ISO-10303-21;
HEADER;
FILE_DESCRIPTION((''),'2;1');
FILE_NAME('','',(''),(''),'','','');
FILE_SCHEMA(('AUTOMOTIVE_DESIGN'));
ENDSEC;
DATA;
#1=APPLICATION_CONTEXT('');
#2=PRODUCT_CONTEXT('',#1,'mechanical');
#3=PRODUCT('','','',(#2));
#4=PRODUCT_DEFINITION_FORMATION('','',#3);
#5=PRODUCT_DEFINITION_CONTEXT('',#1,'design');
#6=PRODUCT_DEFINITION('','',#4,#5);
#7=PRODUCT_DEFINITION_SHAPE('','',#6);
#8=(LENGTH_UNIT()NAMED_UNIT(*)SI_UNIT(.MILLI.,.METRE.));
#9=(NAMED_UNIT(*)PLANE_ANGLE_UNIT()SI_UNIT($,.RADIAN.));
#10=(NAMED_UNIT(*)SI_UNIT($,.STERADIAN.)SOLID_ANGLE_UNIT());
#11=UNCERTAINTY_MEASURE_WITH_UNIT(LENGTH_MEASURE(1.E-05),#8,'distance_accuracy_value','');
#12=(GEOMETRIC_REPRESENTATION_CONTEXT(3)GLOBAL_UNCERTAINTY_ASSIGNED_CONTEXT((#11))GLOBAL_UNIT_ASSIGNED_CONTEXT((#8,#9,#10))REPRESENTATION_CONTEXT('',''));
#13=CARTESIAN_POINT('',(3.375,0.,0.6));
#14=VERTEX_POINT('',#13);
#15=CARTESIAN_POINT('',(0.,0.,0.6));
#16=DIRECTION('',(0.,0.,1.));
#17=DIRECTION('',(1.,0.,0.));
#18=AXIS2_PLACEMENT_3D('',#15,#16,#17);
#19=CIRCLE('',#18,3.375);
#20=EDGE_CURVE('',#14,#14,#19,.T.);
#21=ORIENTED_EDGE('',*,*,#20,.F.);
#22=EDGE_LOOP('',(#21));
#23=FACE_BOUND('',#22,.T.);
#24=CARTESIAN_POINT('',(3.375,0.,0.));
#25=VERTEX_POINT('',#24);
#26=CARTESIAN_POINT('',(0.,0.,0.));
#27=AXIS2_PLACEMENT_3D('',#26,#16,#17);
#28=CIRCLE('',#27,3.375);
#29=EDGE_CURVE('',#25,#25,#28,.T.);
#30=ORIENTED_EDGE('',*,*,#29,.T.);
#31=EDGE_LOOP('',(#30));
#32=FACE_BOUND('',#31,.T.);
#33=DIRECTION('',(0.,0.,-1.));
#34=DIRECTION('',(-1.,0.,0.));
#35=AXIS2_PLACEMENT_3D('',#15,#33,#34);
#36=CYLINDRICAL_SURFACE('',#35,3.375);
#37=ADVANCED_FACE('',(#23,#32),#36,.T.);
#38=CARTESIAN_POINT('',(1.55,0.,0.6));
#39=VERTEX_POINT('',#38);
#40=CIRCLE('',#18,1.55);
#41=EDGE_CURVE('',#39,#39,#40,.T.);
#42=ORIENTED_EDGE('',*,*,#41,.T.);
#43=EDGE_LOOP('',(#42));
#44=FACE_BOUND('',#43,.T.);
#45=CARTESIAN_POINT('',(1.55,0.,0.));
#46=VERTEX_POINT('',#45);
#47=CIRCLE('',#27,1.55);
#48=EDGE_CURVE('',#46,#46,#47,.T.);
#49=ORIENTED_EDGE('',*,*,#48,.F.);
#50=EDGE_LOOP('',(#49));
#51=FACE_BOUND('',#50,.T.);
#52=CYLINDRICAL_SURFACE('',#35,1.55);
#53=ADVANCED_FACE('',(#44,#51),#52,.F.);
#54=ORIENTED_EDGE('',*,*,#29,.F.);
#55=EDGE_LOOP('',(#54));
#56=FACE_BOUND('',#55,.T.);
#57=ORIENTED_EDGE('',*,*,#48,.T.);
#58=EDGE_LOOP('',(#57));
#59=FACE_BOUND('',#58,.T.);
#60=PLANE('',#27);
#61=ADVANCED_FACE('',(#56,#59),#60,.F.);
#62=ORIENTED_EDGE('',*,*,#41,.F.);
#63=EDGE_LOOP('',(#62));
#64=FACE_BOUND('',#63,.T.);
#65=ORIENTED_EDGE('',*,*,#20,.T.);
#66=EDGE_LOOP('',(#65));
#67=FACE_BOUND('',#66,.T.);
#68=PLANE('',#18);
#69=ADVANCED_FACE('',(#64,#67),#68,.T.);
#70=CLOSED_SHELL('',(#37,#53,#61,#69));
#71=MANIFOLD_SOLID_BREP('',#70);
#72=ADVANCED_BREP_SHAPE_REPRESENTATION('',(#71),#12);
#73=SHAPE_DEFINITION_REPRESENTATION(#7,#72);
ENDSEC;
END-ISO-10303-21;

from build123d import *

# Parameters (mm, degrees)
SKETCH_1_R      = 3.375
SKETCH_1_R_2    = 1.55
EXTRUDE_1_DEPTH = 0.6


with BuildPart() as part:
    # Эскиз1 → Бобышка-Вытянуть1 (new body)
    with BuildSketch(Plane.XY):
        Circle(SKETCH_1_R)
        Circle(SKETCH_1_R_2, mode=Mode.SUBTRACT)
    extrude(amount=EXTRUDE_1_DEPTH)


solid = part.part
